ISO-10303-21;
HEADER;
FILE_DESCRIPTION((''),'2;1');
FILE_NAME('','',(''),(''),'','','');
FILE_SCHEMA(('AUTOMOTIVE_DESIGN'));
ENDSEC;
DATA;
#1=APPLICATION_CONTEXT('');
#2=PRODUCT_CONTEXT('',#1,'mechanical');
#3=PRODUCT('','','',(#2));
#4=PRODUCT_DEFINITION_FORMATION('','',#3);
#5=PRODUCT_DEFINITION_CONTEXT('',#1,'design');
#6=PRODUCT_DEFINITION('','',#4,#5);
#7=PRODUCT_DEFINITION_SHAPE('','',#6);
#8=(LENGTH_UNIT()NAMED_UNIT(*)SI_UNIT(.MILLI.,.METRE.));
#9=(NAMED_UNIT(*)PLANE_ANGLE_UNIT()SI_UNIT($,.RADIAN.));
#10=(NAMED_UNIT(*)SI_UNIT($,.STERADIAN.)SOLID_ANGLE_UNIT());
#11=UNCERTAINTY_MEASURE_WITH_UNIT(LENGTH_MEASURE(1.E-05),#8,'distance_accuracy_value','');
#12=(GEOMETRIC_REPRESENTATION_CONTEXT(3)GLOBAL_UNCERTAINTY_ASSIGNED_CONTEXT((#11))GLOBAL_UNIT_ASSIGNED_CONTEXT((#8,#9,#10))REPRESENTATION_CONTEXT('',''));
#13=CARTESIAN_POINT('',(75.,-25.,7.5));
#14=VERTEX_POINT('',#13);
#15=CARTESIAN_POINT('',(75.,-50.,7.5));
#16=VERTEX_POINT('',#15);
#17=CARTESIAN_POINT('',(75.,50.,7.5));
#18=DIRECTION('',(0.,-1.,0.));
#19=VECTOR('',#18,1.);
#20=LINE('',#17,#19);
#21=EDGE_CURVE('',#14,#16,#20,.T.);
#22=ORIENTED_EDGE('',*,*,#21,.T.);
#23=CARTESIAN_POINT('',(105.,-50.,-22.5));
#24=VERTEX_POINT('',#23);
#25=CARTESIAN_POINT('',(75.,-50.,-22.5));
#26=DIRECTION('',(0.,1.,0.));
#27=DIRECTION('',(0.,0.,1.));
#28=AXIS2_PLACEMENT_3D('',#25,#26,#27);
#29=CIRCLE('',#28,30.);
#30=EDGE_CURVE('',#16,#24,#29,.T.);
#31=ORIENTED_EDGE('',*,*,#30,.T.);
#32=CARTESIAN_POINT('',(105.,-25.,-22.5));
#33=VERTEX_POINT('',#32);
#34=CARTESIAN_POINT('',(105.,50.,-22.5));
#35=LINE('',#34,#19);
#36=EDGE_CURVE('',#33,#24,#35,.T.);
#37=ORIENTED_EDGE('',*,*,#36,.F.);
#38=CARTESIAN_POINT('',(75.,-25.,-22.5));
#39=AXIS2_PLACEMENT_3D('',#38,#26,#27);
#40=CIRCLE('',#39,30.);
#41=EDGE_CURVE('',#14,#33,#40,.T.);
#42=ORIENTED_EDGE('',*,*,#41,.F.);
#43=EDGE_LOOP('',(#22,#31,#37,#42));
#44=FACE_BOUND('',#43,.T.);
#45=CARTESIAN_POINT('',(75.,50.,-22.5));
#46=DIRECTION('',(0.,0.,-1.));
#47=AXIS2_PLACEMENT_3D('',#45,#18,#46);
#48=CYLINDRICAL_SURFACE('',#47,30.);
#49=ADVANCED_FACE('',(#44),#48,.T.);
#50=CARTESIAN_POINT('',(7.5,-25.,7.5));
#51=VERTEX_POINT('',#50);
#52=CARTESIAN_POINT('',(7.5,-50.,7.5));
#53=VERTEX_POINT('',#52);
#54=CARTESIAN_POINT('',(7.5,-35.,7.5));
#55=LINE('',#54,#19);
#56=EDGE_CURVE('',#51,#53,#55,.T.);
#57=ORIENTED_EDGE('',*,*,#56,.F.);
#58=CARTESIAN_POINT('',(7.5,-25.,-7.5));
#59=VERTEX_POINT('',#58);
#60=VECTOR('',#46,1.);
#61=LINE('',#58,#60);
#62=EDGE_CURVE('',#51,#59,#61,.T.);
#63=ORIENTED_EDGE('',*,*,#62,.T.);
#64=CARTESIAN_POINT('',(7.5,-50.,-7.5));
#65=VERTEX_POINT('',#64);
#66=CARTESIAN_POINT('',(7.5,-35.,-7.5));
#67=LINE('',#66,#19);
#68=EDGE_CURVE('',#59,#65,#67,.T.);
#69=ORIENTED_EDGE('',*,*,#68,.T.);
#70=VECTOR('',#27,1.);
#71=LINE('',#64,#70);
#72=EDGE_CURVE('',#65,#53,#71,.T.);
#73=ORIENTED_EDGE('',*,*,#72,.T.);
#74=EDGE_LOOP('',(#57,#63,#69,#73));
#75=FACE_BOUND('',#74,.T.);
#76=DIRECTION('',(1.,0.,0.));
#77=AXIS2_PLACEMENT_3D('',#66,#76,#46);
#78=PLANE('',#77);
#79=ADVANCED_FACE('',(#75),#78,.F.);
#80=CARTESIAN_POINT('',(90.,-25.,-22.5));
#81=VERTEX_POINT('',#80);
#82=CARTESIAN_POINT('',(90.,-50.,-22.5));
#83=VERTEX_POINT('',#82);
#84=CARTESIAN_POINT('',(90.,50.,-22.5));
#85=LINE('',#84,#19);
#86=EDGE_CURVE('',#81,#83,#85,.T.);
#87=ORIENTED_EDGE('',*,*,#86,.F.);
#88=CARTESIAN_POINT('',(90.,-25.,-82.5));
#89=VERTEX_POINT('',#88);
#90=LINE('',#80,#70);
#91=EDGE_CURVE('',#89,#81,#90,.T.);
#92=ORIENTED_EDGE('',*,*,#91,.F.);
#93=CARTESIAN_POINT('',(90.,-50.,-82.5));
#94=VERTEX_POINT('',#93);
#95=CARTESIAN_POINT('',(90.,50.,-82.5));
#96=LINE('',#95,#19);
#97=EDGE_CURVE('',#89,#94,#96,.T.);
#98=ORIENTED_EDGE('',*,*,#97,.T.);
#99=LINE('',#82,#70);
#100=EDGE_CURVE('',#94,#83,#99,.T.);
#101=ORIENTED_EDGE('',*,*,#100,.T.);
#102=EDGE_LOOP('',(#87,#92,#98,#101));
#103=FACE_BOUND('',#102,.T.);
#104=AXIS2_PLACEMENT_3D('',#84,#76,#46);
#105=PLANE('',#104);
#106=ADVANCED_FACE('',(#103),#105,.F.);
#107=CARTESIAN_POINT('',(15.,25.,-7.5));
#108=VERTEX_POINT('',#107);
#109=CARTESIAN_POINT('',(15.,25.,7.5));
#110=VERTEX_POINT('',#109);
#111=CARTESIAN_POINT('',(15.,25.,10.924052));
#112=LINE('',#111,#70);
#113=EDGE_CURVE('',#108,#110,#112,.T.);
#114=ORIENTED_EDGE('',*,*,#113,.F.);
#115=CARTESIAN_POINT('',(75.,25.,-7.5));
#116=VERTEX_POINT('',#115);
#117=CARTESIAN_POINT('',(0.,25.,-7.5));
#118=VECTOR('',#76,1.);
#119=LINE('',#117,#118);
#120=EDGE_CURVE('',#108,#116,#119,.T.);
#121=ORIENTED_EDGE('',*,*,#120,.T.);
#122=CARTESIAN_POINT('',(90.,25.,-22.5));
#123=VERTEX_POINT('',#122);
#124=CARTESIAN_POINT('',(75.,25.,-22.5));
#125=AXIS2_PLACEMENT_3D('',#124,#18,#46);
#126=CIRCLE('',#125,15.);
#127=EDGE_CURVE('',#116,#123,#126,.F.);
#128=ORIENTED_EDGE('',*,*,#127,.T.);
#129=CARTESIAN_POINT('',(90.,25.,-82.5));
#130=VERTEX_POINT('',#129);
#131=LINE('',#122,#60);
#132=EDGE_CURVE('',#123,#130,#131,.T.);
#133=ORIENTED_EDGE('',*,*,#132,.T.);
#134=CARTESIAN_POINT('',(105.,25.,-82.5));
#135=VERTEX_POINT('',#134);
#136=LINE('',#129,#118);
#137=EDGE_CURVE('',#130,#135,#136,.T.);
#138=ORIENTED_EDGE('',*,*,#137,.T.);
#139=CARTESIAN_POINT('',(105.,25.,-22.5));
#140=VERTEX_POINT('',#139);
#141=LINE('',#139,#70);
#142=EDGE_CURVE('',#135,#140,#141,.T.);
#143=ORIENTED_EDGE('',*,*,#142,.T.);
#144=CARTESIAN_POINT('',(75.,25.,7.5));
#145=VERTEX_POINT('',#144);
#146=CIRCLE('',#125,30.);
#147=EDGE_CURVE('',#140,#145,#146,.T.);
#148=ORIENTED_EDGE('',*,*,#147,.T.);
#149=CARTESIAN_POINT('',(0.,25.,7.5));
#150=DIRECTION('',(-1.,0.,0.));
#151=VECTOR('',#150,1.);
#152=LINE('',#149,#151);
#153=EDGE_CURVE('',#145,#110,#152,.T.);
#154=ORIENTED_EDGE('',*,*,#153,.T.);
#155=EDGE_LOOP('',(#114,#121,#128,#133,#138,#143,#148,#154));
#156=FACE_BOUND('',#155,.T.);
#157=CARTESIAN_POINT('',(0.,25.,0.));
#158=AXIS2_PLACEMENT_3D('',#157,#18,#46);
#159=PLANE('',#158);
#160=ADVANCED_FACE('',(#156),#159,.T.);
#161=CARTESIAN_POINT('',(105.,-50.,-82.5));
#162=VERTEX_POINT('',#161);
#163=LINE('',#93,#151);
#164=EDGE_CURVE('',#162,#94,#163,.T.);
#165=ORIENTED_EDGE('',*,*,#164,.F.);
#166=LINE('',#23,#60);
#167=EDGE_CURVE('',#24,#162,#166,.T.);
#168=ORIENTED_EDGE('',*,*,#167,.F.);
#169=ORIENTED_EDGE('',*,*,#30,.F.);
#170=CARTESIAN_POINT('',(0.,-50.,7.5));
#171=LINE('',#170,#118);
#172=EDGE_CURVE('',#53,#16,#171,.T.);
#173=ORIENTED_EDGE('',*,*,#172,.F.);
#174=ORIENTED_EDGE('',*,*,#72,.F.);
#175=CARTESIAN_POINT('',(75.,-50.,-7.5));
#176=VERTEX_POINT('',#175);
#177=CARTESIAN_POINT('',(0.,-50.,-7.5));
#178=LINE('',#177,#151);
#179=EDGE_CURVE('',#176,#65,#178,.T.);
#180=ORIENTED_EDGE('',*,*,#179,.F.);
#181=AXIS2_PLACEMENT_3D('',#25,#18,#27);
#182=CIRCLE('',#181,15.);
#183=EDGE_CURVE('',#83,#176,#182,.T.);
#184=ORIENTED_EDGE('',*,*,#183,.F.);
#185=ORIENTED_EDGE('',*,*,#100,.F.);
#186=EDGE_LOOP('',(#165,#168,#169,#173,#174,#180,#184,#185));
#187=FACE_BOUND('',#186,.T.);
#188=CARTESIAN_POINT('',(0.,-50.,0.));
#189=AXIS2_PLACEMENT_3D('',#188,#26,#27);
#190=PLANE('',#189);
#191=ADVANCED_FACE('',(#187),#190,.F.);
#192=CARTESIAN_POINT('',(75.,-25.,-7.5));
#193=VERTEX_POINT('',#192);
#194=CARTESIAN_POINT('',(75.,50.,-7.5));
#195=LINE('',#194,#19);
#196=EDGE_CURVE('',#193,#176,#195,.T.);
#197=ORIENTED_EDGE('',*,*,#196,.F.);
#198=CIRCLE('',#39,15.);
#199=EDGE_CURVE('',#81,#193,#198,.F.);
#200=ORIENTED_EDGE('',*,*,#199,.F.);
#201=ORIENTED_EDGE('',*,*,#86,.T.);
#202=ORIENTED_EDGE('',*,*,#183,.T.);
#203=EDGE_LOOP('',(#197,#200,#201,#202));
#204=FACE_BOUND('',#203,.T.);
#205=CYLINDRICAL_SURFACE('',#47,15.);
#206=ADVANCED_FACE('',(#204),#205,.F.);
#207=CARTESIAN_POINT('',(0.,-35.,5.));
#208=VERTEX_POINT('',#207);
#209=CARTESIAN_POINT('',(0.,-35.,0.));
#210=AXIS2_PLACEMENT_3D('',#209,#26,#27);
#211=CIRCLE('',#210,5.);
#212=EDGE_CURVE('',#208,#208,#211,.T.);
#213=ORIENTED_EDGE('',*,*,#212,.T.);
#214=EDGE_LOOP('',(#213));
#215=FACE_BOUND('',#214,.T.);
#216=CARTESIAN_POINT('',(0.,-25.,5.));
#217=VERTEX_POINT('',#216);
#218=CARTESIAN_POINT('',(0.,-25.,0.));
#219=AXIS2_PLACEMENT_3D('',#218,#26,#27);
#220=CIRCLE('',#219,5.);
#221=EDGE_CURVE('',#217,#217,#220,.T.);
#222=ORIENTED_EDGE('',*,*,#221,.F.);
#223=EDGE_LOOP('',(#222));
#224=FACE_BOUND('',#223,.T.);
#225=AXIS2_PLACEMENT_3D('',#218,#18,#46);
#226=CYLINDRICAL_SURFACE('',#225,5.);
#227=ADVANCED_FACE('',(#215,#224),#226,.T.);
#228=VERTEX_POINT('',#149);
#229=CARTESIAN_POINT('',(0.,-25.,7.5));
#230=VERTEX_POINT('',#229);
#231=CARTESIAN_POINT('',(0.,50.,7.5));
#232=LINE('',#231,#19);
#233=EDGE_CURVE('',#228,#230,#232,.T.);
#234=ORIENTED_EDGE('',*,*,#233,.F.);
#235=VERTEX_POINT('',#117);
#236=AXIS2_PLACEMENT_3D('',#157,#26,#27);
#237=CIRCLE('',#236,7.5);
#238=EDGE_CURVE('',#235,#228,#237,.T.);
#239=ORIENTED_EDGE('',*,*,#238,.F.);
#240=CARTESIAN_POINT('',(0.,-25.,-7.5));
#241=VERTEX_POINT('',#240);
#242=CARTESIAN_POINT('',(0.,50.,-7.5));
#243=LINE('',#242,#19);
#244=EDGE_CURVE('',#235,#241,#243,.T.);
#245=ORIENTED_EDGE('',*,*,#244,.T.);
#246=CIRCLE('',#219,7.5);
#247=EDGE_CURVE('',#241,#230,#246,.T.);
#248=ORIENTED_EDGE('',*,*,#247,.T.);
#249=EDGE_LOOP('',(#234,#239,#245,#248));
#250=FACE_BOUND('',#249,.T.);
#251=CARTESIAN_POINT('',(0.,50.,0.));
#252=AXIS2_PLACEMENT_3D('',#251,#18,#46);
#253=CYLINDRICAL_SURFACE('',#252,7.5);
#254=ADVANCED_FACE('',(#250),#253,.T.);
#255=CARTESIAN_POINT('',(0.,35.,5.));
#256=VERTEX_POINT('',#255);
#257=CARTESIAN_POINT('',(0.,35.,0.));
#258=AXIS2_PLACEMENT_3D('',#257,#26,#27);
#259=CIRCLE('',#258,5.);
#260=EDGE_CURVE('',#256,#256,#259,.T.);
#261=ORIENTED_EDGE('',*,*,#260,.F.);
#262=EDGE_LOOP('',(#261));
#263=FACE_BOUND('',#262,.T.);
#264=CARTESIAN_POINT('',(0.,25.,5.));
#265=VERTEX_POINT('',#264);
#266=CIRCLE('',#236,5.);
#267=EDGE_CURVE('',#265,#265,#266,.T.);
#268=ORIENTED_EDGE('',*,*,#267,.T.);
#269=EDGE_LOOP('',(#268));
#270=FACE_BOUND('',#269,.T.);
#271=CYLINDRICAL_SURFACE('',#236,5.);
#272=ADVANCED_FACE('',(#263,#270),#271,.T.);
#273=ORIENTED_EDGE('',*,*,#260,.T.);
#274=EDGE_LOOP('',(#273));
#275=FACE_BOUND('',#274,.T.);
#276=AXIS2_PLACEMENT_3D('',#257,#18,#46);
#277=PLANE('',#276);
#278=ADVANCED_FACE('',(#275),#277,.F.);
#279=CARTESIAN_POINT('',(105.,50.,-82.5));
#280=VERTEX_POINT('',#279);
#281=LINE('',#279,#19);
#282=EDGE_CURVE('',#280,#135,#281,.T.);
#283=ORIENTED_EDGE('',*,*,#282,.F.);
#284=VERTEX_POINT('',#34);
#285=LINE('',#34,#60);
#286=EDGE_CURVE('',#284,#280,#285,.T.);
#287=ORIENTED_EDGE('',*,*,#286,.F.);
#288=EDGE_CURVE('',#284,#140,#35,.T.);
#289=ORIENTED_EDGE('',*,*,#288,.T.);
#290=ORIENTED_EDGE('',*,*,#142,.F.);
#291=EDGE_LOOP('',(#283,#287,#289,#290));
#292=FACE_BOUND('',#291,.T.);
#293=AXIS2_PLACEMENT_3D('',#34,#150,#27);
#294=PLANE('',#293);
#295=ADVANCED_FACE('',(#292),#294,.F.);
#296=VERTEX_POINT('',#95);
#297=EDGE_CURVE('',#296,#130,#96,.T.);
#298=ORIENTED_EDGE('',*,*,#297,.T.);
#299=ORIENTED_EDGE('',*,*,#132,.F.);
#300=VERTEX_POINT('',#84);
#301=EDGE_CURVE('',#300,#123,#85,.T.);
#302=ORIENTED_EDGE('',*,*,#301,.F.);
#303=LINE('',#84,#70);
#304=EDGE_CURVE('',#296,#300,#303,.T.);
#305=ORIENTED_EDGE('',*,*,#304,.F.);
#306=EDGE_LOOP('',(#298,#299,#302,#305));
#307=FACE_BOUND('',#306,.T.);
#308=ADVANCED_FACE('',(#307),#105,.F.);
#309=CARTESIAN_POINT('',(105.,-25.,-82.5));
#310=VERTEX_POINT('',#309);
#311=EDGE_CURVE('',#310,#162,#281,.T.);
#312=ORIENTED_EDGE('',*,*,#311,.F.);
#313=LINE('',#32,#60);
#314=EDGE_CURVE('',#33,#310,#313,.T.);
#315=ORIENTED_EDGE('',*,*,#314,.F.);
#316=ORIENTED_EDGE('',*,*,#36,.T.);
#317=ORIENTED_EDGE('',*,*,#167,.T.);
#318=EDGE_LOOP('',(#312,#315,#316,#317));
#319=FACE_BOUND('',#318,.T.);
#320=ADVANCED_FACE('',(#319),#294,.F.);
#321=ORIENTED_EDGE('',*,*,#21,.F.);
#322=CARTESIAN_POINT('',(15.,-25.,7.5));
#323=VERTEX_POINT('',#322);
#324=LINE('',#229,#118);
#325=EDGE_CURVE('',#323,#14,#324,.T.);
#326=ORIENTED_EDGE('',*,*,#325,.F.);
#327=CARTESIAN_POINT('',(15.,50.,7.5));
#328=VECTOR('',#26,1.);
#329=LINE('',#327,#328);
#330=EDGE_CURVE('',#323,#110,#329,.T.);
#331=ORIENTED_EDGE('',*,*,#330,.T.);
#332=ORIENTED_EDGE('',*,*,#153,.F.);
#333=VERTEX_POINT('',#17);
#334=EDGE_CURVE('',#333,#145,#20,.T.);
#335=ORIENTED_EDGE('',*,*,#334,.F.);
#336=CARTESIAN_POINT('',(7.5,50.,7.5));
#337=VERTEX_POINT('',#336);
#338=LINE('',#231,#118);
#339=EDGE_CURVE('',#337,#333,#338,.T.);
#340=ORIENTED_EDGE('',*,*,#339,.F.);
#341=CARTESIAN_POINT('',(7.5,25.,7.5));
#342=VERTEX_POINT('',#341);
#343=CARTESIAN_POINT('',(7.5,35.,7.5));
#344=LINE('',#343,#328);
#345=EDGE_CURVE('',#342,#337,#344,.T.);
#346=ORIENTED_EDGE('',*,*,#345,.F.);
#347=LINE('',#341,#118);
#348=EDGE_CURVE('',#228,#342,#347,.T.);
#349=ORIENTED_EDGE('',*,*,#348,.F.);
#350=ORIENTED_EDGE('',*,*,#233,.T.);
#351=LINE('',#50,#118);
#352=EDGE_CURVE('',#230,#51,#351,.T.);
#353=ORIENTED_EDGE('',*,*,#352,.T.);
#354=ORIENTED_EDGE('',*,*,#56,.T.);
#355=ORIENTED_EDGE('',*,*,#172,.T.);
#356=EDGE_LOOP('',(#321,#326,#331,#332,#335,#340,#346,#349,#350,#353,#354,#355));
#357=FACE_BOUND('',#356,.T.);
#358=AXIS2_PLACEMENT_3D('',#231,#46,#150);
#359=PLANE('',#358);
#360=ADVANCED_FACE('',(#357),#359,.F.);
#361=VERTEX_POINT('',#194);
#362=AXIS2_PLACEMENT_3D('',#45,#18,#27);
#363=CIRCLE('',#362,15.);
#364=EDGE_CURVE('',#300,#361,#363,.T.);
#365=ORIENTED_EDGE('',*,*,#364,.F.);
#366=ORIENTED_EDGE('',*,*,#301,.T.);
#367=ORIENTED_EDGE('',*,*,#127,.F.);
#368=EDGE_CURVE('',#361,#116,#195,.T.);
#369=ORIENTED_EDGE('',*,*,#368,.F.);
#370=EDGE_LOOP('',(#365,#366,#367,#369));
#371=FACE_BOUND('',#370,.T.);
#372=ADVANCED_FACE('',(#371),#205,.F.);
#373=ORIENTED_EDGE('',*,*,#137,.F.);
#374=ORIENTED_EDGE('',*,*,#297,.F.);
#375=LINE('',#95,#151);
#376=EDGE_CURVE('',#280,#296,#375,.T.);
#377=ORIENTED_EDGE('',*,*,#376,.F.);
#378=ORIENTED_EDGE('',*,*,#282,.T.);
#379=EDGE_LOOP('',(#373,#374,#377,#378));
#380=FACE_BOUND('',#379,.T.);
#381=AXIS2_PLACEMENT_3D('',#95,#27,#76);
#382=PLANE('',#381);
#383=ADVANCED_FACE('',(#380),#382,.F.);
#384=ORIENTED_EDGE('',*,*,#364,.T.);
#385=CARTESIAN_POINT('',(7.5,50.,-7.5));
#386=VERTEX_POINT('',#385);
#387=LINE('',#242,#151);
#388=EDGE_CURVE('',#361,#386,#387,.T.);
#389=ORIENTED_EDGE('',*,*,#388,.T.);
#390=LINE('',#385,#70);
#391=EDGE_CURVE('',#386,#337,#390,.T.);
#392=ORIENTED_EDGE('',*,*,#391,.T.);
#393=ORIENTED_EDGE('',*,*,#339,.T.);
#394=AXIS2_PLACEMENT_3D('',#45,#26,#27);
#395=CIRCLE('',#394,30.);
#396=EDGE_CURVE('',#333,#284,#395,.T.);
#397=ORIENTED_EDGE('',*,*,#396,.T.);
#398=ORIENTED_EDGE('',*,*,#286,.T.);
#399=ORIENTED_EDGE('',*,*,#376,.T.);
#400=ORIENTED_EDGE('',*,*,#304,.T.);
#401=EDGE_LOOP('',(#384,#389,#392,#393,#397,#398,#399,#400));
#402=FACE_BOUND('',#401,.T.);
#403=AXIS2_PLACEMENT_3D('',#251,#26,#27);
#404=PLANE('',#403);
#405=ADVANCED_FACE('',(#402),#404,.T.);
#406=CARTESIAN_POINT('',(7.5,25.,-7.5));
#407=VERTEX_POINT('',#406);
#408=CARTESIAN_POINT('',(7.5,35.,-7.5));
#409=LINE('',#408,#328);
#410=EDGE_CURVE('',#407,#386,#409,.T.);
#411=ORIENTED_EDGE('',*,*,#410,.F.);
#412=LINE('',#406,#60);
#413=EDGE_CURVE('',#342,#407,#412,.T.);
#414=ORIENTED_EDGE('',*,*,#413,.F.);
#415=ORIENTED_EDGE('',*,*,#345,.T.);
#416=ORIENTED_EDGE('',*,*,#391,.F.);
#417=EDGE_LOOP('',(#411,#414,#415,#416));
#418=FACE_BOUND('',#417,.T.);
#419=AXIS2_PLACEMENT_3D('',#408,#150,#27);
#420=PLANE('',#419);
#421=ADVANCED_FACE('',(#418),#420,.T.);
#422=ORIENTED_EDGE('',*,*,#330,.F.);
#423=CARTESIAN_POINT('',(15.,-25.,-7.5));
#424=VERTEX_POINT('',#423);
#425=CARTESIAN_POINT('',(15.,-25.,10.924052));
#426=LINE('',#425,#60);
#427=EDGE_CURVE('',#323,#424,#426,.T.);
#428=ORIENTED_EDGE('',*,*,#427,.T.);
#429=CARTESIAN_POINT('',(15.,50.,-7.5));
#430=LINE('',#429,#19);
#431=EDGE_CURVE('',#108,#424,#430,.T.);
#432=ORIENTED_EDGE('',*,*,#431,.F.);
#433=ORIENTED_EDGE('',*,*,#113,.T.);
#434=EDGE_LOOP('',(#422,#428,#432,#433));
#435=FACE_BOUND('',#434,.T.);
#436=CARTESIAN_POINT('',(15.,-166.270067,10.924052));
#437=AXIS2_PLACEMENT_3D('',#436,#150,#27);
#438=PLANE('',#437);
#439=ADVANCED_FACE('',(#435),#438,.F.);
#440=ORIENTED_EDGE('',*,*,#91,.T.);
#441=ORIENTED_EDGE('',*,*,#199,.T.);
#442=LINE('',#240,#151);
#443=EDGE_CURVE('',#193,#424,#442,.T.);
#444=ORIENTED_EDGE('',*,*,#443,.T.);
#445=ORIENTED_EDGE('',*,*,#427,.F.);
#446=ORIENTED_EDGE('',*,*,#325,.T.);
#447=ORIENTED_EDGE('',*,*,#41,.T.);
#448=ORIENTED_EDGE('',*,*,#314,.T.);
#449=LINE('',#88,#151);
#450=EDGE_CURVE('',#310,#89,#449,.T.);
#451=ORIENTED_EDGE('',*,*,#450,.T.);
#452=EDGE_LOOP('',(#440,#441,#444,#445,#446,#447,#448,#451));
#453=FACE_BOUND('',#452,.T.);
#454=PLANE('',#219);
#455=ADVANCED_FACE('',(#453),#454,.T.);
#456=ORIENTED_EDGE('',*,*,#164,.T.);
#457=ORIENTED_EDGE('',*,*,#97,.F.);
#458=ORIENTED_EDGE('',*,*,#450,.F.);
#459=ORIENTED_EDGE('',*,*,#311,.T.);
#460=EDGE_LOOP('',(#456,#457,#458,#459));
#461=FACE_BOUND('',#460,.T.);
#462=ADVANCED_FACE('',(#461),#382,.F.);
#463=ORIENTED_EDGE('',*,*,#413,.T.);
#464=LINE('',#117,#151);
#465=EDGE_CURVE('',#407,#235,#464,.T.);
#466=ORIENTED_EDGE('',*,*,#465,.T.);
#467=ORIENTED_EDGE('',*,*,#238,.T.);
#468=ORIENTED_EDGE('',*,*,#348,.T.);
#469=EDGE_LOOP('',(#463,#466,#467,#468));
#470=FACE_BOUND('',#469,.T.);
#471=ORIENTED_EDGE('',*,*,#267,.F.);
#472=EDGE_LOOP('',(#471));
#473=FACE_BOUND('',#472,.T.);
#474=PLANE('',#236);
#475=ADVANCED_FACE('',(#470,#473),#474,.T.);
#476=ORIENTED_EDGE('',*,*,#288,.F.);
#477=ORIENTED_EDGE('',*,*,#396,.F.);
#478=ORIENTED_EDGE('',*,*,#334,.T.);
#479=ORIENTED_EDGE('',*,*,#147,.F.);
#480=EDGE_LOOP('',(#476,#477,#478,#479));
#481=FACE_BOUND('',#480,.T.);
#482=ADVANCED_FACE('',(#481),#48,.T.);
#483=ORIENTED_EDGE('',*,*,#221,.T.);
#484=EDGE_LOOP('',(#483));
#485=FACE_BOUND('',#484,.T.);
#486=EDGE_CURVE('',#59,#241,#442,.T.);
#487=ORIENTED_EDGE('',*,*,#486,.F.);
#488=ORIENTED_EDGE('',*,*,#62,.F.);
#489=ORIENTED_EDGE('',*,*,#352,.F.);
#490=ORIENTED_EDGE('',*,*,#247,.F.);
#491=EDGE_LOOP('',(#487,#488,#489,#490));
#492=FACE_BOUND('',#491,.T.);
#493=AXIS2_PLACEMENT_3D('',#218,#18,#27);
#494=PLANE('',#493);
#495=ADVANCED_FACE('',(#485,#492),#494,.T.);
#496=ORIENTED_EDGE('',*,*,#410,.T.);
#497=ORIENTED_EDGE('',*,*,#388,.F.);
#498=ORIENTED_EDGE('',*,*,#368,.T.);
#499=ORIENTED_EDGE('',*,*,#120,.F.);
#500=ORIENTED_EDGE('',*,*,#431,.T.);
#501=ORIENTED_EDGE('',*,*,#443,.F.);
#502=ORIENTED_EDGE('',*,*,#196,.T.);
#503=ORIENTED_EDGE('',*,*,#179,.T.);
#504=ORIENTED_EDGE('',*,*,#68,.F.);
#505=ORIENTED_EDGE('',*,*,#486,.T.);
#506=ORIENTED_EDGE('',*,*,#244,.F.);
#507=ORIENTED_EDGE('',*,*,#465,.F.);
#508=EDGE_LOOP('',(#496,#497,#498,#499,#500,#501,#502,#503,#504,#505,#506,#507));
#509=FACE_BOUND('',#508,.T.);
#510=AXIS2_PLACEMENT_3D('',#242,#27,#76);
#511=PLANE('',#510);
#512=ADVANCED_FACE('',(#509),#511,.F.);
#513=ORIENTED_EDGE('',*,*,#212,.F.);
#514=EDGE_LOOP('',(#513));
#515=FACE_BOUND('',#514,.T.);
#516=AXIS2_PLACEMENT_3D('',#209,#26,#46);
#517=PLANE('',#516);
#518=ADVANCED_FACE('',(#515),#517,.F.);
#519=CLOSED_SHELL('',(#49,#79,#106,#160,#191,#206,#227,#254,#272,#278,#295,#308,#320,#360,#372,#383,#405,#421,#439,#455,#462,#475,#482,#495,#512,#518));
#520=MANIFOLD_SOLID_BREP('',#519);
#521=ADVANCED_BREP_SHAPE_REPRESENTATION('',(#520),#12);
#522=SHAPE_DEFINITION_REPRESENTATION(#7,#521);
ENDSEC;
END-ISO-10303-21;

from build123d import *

# Parameters (mm, degrees)
EXTRUDE_1_DEPTH     = 50
CUT_EXTRUDE_START   = -50
SKETCH_2_W          = 99.785929991
SKETCH_2_H          = 100
CUT_EXTRUDE_1_DEPTH = 50
SKETCH_7_W          = 19.044434788
SKETCH_7_H          = 15
CUT_EXTRUDE_5_DEPTH = 15
SKETCH_9_R          = 5
CUT_EXTRUDE_6_DEPTH = 10


with BuildPart() as part:
    # 草图1 → 凸台-拉伸1 (new, symmetric)
    with BuildSketch(Plane(origin=(0, 0, 0), x_dir=(1, 0, 0), z_dir=(0, 1, 0))):
        with BuildLine():
            Line((0, 7.5), (75, 7.5))
            ThreePointArc((75, 7.5), (85.606601718, 11.893398282), (90, 22.5))
            Line((90, 22.5), (90, 82.5))
            Line((90, 82.5), (105, 82.5))
            Line((105, 82.5), (105, 22.5))
            ThreePointArc((105, 22.5), (96.213203436, 1.286796564), (75, -7.5))
            Line((75, -7.5), (0, -7.5))
            ThreePointArc((0, -7.5), (-7.5, 0), (0, 7.5))
        make_face()
    extrude(amount=EXTRUDE_1_DEPTH, both=True)

    # 草图2 → 切除-拉伸1 (cut)
    with BuildSketch(Plane(origin=(0, 25, 0), x_dir=(1, 0, 0), z_dir=(0, 1, 0)).offset(CUT_EXTRUDE_START)):
        with Locations((64.892964996, 39.075948396)):
            Rectangle(SKETCH_2_W, SKETCH_2_H)
    extrude(amount=CUT_EXTRUDE_1_DEPTH, mode=Mode.SUBTRACT)

    # 草图7 → 切除-拉伸5 (cut)
    with BuildSketch(Plane(origin=(0, 50, 0), x_dir=(1, 0, 0), z_dir=(0, 1, 0))):
        with Locations((-2.022217394, 0)):
            Rectangle(SKETCH_7_W, SKETCH_7_H)
    cut_extrude_5 = extrude(amount=-CUT_EXTRUDE_5_DEPTH, mode=Mode.SUBTRACT)

    # 镜向1: 切除-拉伸5 across plane
    add(cut_extrude_5.mirror(Plane.ZX), mode=Mode.SUBTRACT)

    # 草图9 → 切除-拉伸6 (cut)
    with BuildSketch(Plane(origin=(0, 35, 0), x_dir=(1, 0, 0), z_dir=(0, 1, 0))):
        with BuildLine():
            Line((0, 7.5), (7.5, 7.5))
            Line((7.5, 7.5), (7.5, -7.5))
            Line((7.5, -7.5), (0, -7.5))
            ThreePointArc((0, -7.5), (-7.5, 0), (0, 7.5))
        make_face()
        with Locations(Location((0, 0, 0), (0, 0, 270))):
            Circle(SKETCH_9_R, mode=Mode.SUBTRACT)
    cut_extrude_6 = extrude(amount=-CUT_EXTRUDE_6_DEPTH, mode=Mode.SUBTRACT)

    # 镜向2: 切除-拉伸6 across plane
    add(cut_extrude_6.mirror(Plane.ZX), mode=Mode.SUBTRACT)


solid = part.part
